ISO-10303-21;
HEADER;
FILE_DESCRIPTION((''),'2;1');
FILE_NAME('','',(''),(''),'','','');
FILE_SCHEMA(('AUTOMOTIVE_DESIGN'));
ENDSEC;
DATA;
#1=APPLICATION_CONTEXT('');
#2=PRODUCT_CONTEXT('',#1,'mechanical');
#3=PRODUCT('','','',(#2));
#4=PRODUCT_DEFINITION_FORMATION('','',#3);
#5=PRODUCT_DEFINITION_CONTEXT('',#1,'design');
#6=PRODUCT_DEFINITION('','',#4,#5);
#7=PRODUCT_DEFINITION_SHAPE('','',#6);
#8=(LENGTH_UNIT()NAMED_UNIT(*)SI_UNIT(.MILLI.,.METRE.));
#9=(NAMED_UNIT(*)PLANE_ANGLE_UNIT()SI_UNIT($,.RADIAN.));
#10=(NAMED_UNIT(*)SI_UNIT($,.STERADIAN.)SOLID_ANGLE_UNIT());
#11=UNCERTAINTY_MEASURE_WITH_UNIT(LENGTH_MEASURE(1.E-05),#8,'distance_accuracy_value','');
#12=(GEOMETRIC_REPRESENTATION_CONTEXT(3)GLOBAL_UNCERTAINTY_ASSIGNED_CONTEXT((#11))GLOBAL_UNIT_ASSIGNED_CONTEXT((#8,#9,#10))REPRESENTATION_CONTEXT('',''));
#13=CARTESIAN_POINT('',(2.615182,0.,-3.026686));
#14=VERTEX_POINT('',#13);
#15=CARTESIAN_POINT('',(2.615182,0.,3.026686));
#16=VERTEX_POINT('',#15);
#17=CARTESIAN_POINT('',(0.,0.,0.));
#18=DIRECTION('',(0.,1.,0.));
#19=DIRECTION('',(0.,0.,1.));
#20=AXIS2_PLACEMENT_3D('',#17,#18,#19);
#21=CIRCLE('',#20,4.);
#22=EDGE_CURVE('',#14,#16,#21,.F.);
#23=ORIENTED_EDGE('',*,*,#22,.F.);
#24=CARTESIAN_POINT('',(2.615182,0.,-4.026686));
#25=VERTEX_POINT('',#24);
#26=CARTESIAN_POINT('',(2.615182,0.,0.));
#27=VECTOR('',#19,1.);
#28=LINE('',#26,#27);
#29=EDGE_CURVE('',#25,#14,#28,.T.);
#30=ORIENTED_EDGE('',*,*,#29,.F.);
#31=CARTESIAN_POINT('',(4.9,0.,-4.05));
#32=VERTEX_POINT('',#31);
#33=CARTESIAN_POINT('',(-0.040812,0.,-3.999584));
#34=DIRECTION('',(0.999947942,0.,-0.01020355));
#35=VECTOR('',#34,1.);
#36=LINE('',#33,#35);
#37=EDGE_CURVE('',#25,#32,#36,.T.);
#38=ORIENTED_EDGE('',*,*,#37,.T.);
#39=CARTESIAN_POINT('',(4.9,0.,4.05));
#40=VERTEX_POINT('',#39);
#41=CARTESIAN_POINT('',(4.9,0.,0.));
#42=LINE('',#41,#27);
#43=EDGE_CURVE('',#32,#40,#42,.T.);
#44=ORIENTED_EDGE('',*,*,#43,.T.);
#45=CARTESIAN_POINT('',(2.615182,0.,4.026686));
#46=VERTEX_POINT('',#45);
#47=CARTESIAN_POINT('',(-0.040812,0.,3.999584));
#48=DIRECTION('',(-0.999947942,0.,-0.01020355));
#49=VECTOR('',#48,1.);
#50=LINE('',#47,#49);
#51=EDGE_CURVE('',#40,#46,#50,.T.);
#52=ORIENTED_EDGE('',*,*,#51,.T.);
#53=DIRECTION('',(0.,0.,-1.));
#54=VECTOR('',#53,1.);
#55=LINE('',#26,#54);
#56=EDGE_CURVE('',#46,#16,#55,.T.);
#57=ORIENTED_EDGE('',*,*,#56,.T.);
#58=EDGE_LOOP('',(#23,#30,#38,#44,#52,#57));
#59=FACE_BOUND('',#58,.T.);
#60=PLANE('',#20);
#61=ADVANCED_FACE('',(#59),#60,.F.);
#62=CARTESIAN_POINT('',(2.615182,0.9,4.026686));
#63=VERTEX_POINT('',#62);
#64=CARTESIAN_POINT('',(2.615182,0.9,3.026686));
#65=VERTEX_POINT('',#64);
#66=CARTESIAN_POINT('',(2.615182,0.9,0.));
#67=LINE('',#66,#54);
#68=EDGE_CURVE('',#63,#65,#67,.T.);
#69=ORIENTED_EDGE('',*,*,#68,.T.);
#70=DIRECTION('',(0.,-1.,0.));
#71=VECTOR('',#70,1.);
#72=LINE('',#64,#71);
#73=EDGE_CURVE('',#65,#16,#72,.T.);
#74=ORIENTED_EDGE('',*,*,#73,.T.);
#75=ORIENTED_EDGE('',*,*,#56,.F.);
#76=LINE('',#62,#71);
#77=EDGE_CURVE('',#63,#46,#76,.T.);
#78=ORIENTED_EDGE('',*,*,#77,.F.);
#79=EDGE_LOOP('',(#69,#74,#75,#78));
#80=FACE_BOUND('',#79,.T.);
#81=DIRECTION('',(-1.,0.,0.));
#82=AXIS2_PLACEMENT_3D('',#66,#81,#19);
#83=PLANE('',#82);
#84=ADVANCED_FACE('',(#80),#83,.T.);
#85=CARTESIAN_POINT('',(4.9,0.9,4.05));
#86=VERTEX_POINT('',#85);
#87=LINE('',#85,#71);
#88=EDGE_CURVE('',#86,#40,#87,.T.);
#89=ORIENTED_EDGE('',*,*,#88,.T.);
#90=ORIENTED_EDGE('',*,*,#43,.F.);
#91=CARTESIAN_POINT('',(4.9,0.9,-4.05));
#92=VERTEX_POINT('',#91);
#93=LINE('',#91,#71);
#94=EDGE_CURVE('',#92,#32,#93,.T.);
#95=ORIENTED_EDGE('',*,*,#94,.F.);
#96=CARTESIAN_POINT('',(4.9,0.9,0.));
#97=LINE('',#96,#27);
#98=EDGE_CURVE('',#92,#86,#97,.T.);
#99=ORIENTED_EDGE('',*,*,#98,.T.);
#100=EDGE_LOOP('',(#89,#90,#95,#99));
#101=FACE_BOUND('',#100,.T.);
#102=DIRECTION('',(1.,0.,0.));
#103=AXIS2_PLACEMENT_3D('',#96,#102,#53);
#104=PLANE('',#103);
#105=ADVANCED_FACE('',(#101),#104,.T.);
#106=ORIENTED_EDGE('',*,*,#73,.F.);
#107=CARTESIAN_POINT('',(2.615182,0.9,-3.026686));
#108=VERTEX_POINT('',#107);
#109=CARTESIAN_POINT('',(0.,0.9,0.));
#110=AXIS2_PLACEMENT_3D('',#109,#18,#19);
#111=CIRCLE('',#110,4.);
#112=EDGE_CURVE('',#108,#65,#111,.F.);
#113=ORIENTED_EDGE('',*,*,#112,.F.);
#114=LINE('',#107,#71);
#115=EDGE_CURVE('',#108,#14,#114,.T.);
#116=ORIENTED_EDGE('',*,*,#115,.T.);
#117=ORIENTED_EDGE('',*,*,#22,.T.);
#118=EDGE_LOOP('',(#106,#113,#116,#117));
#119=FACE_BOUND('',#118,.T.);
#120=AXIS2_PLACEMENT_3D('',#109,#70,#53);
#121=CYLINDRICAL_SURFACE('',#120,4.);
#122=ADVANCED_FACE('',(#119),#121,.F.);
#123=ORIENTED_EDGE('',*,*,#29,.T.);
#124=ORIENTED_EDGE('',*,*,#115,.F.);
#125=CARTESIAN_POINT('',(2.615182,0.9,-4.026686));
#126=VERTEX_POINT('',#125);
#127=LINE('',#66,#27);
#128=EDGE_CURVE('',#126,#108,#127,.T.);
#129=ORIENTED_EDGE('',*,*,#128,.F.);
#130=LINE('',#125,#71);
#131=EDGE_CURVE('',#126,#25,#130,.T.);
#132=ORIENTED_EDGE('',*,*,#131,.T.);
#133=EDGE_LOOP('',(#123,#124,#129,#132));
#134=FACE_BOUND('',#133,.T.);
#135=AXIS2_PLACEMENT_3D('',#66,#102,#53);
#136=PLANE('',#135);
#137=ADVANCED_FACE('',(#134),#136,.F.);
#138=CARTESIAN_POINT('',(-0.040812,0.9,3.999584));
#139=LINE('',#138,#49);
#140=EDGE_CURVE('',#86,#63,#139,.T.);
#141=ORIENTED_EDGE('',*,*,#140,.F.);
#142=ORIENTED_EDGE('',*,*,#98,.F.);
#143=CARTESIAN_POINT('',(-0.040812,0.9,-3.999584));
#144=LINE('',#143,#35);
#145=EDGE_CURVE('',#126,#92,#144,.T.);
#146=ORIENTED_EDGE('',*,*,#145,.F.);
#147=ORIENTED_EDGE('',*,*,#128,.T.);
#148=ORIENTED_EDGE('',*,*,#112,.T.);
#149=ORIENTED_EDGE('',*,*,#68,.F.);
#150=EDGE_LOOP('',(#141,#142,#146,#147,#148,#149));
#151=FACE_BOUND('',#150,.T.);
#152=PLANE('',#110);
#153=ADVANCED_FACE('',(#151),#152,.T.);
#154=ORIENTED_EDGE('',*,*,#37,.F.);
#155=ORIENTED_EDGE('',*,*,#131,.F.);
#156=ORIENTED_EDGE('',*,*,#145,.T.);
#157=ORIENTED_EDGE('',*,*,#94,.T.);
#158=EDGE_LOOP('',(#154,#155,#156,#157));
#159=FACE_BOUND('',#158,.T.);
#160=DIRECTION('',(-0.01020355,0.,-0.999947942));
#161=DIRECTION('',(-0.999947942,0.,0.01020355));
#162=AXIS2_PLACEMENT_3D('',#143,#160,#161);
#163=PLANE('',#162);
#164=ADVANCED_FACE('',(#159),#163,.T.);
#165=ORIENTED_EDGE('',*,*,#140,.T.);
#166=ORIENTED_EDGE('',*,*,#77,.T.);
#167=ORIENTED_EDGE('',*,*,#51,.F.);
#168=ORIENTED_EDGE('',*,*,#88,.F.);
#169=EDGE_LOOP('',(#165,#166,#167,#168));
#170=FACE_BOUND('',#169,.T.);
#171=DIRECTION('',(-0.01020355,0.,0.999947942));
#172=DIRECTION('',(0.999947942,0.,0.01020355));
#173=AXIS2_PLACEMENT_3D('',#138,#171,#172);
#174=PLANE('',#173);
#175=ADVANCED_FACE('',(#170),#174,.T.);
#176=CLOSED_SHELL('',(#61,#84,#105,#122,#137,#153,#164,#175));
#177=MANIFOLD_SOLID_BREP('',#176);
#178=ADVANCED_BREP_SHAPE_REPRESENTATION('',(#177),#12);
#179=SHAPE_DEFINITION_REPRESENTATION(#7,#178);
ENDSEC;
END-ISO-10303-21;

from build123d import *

# Parameters (mm, degrees)
BOSS_EXTRUDE1_DEPTH = 0.9


with BuildPart() as part:
    # Sketch1 → Boss-Extrude1 (new body)
    with BuildSketch(Plane(origin=(0, 0, 0), x_dir=(1, 0, 0), z_dir=(0, 1, 0))):
        with BuildLine():
            Line((4.9, 4.05), (2.615181585, 4.026685526))
            Line((2.615181585, 4.026685526), (2.615181585, 3.026685526))
            ThreePointArc((2.615181585, 3.026685526), (4, 0), (2.615181585, -3.026685526))
            Line((2.615181585, -3.026685526), (2.615181585, -4.026685526))
            Line((2.615181585, -4.026685526), (4.9, -4.05))
            Line((4.9, -4.05), (4.9, 4.05))
        make_face()
    extrude(amount=BOSS_EXTRUDE1_DEPTH)


solid = part.part
